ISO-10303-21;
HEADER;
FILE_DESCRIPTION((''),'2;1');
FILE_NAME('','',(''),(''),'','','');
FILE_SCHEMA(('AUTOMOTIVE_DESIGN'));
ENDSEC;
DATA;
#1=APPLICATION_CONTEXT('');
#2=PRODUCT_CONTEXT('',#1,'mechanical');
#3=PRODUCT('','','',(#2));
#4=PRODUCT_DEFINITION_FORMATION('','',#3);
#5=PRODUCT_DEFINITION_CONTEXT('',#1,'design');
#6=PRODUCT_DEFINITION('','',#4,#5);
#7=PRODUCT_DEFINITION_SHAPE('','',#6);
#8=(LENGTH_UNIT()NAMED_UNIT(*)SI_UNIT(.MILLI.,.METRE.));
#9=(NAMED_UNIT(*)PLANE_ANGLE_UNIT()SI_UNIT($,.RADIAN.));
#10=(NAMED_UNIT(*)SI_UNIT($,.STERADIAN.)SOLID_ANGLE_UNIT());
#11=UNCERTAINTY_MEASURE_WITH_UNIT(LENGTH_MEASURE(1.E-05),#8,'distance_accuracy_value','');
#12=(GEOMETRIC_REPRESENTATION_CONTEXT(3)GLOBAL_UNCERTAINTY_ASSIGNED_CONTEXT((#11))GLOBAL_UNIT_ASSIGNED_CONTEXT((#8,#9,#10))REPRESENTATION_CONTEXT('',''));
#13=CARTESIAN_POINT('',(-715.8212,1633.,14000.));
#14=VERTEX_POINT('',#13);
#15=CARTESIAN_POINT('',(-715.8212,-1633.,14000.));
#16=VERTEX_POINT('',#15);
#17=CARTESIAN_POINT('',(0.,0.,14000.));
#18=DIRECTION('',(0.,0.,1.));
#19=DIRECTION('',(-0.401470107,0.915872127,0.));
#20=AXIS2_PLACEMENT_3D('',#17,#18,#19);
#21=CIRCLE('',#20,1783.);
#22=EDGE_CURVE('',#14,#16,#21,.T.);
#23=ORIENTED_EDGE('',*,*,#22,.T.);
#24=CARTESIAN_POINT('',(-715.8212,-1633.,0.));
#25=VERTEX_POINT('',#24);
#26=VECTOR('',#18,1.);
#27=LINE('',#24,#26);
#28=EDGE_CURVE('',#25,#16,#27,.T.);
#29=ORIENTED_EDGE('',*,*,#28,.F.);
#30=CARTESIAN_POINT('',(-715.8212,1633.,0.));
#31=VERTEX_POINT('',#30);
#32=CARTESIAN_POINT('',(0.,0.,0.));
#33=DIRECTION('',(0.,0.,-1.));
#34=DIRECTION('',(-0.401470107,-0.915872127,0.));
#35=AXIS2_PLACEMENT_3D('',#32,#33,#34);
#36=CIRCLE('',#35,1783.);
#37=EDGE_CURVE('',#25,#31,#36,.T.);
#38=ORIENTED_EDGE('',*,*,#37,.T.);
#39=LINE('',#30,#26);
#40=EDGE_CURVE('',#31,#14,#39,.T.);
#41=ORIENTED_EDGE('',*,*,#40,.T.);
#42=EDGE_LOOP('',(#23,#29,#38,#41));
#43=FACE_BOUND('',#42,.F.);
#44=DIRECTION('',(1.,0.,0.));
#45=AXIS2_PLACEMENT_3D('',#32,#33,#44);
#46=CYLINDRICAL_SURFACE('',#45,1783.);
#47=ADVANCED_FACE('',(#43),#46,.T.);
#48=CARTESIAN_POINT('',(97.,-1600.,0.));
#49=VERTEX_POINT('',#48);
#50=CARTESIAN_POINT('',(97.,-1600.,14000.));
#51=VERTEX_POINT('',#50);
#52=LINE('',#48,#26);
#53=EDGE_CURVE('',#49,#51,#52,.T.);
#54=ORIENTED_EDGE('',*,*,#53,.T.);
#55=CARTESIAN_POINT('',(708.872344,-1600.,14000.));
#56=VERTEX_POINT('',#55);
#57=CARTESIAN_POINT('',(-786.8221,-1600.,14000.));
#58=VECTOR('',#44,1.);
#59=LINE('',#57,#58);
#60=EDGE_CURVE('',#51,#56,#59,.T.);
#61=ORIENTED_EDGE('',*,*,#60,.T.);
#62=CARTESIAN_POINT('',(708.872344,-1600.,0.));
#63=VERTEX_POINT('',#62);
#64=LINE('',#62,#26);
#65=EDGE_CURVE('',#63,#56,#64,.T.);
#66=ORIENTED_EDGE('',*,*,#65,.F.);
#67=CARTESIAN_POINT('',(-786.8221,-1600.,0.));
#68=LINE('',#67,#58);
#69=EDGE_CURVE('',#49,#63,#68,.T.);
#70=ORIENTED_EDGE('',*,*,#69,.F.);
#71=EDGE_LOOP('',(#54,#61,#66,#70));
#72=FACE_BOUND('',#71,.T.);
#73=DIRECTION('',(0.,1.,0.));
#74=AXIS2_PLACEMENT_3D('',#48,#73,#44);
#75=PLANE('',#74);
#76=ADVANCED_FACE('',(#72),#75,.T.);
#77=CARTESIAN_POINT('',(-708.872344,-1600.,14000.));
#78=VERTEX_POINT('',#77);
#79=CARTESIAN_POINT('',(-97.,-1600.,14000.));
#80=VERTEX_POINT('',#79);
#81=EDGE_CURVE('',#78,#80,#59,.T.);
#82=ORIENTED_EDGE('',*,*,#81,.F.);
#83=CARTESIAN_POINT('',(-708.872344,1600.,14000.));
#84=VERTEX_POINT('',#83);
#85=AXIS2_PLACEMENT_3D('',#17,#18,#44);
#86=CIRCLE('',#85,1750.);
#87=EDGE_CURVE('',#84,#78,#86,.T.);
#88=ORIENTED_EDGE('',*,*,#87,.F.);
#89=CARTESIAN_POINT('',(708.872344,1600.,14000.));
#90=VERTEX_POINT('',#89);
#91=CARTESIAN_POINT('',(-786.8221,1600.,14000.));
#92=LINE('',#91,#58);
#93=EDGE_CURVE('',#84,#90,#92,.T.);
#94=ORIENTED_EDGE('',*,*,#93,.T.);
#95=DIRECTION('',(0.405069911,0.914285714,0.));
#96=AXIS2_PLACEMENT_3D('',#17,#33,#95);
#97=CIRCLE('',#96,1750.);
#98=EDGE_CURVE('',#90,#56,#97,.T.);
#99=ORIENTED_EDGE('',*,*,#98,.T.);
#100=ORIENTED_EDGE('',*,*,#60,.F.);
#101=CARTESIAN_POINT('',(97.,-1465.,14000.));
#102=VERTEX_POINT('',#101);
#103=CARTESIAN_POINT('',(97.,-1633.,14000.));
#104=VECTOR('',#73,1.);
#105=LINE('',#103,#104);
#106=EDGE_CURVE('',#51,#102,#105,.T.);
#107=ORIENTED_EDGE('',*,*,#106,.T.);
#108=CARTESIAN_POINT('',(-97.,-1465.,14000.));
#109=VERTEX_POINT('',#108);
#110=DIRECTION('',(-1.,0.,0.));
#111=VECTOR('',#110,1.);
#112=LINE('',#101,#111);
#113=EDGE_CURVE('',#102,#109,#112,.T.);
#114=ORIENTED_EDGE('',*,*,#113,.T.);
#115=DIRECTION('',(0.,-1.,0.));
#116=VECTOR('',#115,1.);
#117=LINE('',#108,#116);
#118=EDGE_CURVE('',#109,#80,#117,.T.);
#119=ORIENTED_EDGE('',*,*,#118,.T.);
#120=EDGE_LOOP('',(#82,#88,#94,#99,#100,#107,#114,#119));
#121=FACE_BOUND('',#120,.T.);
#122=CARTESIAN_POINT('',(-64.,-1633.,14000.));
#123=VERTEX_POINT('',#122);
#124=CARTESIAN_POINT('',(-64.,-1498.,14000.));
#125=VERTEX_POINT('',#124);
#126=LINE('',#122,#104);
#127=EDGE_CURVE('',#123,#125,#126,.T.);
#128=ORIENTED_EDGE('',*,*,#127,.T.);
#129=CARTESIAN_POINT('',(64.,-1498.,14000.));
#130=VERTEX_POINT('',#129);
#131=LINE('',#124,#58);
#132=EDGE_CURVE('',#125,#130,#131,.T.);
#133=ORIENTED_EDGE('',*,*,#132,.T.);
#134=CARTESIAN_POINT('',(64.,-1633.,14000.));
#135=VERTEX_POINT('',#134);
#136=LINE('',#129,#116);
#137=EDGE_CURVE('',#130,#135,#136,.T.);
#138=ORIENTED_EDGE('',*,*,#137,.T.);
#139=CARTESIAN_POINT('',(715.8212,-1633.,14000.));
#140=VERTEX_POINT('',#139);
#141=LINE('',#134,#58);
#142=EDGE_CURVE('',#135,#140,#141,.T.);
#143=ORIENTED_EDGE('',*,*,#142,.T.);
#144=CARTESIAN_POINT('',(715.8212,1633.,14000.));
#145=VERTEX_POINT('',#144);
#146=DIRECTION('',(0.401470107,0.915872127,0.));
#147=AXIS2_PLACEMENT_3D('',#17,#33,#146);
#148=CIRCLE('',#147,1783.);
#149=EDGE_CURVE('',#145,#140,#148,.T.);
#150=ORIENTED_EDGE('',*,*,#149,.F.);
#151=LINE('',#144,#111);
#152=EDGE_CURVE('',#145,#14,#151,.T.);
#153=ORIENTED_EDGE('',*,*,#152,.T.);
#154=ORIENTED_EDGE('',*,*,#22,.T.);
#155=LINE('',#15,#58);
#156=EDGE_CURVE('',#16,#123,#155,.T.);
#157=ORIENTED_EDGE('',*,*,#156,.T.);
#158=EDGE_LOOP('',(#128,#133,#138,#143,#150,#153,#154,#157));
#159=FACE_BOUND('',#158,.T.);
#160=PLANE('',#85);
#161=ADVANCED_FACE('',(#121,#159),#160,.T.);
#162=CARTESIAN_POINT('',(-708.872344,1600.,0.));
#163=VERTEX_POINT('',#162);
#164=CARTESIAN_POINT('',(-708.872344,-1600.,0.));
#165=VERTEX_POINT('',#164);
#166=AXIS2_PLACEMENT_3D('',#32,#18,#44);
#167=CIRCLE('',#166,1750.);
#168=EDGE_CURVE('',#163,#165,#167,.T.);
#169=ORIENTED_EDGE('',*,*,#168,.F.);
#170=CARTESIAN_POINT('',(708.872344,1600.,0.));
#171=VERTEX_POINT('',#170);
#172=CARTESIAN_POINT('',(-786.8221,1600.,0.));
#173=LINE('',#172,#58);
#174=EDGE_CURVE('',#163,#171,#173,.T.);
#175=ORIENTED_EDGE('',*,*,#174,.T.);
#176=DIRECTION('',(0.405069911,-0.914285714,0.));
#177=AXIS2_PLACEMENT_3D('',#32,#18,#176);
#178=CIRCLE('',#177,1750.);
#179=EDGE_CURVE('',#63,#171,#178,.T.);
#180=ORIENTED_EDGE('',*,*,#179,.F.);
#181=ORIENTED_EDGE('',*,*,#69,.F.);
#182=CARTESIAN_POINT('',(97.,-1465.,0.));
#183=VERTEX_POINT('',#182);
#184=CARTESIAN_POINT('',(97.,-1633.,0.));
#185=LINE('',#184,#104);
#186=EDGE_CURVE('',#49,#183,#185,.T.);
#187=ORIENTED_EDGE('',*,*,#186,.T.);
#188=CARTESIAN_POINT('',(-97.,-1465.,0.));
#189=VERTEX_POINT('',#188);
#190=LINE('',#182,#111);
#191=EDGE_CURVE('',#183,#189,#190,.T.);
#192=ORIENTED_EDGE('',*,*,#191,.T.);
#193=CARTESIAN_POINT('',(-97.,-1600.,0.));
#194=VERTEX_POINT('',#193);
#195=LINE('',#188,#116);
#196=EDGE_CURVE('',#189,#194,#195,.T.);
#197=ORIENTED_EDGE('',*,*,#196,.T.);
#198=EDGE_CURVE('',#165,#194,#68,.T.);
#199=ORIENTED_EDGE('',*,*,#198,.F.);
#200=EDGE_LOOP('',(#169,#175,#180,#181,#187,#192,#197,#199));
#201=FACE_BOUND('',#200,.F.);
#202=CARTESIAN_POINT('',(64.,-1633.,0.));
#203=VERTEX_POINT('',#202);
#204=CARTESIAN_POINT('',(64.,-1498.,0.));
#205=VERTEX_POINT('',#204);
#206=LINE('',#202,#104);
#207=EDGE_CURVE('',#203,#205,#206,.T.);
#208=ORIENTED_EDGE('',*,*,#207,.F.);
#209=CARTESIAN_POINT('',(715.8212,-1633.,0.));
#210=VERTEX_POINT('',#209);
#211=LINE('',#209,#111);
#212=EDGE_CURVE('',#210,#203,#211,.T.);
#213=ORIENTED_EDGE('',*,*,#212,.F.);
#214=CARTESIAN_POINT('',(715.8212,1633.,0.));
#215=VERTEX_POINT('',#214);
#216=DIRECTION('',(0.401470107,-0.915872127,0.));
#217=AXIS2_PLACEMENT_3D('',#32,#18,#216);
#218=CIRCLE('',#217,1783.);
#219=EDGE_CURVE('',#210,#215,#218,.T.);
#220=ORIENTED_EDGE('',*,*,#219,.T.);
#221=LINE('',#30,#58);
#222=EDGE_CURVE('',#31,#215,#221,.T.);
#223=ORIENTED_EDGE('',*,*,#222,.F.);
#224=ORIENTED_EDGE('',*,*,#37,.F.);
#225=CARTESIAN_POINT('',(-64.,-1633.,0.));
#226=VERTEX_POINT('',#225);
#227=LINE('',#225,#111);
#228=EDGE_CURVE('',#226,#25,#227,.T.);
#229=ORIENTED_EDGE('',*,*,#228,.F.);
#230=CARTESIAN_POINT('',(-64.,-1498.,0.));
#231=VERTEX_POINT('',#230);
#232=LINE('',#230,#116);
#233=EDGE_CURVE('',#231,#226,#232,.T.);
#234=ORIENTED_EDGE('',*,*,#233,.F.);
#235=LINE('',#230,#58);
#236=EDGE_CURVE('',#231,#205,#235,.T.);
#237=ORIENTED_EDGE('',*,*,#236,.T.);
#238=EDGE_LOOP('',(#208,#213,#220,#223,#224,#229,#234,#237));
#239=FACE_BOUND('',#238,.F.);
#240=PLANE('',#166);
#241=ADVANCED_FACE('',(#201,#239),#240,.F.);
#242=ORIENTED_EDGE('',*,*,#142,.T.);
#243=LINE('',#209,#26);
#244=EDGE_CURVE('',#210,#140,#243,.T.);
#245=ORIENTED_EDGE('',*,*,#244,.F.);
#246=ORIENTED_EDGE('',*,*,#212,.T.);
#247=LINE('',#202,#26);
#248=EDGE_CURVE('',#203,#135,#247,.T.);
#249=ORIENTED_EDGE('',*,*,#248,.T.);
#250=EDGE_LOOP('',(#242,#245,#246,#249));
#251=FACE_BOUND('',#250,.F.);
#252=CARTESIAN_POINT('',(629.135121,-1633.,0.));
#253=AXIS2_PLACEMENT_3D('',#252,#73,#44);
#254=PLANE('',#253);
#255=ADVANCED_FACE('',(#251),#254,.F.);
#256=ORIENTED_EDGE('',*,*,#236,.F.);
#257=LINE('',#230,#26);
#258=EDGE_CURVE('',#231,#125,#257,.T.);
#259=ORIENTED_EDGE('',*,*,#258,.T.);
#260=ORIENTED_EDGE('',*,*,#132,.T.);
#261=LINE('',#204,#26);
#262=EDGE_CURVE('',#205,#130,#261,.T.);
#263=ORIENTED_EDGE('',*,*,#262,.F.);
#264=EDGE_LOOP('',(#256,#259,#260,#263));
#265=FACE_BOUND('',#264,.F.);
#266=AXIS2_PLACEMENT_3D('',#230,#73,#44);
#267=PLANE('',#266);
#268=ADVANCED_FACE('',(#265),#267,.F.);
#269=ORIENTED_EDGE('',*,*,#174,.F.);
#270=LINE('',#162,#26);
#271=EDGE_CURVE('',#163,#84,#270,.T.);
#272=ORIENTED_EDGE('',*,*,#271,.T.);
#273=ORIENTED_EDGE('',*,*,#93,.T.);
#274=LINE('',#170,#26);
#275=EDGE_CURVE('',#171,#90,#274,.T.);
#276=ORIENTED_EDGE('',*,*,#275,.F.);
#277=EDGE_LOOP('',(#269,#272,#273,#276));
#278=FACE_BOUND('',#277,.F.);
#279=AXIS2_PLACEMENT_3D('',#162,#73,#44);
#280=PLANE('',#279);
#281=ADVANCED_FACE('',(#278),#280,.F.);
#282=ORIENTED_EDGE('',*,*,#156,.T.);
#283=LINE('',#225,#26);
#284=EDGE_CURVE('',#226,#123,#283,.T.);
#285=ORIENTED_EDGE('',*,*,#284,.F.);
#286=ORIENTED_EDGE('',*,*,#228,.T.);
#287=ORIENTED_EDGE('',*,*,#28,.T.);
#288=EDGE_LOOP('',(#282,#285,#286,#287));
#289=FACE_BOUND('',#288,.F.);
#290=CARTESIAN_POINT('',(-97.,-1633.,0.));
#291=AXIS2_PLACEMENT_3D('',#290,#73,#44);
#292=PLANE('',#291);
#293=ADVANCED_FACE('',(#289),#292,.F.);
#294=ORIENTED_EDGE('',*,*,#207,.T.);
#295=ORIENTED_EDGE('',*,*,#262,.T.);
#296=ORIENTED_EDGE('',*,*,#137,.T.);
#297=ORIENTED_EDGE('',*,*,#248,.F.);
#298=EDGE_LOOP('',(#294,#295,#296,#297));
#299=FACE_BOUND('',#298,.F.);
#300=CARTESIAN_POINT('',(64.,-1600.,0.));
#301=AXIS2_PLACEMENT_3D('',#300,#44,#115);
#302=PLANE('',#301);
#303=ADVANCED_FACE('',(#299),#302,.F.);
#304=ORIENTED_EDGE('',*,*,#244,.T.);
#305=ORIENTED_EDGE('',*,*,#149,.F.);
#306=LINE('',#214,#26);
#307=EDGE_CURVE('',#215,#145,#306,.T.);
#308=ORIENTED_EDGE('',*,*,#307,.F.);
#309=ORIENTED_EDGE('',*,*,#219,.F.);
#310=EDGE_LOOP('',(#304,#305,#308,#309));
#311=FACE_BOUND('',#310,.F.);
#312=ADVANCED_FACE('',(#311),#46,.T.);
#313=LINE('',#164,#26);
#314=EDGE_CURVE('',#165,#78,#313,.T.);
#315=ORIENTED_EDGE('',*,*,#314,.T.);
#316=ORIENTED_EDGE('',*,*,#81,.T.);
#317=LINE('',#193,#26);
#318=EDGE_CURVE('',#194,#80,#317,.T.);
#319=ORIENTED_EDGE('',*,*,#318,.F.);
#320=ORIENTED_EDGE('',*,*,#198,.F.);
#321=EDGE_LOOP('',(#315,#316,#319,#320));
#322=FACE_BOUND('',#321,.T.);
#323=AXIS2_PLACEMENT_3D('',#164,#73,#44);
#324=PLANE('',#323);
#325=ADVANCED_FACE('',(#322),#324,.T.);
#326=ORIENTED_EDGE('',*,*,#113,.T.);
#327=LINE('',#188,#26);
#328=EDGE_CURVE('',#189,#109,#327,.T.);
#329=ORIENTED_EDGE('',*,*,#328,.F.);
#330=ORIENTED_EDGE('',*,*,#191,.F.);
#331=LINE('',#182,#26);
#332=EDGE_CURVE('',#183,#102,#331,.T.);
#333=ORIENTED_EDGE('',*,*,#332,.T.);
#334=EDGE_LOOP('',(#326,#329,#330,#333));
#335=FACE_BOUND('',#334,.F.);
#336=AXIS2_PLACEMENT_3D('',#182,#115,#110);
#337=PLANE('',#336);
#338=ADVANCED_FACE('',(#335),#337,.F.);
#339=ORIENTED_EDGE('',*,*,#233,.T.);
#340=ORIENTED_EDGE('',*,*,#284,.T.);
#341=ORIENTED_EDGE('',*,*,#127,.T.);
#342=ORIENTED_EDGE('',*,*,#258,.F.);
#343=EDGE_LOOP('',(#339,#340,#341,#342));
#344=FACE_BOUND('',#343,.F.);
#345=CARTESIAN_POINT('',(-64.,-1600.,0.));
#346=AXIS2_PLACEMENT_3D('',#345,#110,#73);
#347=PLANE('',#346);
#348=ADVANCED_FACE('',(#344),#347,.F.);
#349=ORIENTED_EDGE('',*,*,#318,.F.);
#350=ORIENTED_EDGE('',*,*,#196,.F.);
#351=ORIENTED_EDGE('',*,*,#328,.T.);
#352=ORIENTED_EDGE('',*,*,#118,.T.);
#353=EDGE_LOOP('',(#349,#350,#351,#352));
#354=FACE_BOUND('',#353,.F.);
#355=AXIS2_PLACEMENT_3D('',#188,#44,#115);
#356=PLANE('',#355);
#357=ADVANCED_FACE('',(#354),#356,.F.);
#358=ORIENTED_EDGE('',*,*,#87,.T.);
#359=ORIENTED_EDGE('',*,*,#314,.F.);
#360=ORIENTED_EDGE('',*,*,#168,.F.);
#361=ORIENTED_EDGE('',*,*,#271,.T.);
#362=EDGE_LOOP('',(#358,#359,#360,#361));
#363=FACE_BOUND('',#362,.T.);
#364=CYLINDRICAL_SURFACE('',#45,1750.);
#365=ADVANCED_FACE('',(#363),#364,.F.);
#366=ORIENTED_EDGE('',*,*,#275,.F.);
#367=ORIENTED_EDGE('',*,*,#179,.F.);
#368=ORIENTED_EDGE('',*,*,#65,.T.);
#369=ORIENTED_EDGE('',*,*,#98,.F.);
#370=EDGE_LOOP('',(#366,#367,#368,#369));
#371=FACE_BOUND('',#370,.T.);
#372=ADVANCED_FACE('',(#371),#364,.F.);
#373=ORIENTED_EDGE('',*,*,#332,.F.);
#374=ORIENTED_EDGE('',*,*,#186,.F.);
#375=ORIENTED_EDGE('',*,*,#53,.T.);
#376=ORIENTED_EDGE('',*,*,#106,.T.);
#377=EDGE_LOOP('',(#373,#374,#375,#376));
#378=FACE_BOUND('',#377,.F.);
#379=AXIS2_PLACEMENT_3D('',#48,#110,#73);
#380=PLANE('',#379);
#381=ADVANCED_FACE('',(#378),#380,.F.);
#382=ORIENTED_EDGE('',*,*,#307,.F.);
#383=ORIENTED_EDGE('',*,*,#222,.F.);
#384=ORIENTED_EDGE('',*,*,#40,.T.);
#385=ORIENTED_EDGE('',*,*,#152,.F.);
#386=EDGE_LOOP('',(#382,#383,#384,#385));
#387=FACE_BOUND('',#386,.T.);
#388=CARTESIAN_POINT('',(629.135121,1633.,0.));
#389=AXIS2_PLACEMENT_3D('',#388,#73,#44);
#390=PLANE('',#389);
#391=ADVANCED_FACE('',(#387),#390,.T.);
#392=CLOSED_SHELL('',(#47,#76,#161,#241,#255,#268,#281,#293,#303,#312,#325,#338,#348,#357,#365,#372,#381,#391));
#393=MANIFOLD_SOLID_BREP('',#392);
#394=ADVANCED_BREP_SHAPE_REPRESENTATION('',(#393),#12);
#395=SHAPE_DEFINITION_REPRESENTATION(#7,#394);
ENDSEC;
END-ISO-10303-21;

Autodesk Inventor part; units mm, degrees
ref_plane "YZ Plane" through (0, 0, 0) normal (1, 0, 0) x (0, 1, 0)
ref_plane "XZ Plane" through (0, 0, 0) normal (0, 1, 0) x (-1, 0, 0)
ref_plane "XY Plane" through (0, 0, 0) normal (0, 0, 1) x (1, 0, 0)
sketch "Sketch1" plane through (0, 0, 0) normal (0, 0, 1) x (1, 0, 0)
  circle A0 centre (0, 0) radius 1783
  circle A1 centre (0, 0) radius 1750
  line L0 (-786.8221, -1600) -> (786.8221, -1600)
  line L1 (-786.8221, 1600) -> (786.8221, 1600)
  line L2 (-715.8212, 1633) -> (715.8212, 1633)
  line L3 (-715.8212, -1633) -> (715.8212, -1633)
  line L4 (-64, -1498) -> (64, -1498)
  line L5 (64, -1498) -> (64, -1600)
  line L6 (64, -1600) -> (-64, -1600)
  line L7 (-64, -1600) -> (-64, -1498)
  line L8 (-64, -1498) -> (64, -1600) construction
  line L9 (64, -1498) -> (-64, -1600) construction
  line L10 (-97, -1633) -> (97, -1633)
  line L11 (97, -1633) -> (97, -1465)
  line L12 (97, -1465) -> (-97, -1465)
  line L13 (-97, -1465) -> (-97, -1633)
  line L14 (-97, -1633) -> (97, -1465) construction
  line L15 (97, -1633) -> (-97, -1465) construction
  line L16 (-64, -1600) -> (-64, -1633)
  line L17 (64, -1600) -> (64, -1633)
  point P0 (0, -1549)
  point P1 (0, -1549)
  point P2 (97, -1600)
  point P3 (-97, -1600)
  point P4 (-708.8723, -1600)
  point P5 (-708.8723, 1600)
  point P6 (708.8723, 1600)
  point P7 (708.8723, -1600)
  point P8 (97, -1633)
  dimension "d0" = 3566
  dimension "d1" = 33
  dimension "d2" = 1600
  dimension "d3" = 1600
  dimension "d4" = 33
  dimension "d5" = 33
  dimension "d6" = 33
  dimension "d7" = 33
  dimension "d8" = 102
  dimension "d9" = 128
extrude "Extrusion1" add sketch "Sketch1" along normal blind 14000 contours A0 L0 A1 L1 | L1 A1 L2 A0 | A0 L3 A1 L0 | L1 A1 L2 | A1 L3 L11 L0 | L2 A1 L1 A0 | A1 L0 A0 L1 | A0 L0 A1 L3 | L11 L3 L17 L0 | L0 L5 L4 L7 L13 L12 L11 | L0 L13 L3 A1 | L0 L16 L3 L13
properties part number "PodShell"
